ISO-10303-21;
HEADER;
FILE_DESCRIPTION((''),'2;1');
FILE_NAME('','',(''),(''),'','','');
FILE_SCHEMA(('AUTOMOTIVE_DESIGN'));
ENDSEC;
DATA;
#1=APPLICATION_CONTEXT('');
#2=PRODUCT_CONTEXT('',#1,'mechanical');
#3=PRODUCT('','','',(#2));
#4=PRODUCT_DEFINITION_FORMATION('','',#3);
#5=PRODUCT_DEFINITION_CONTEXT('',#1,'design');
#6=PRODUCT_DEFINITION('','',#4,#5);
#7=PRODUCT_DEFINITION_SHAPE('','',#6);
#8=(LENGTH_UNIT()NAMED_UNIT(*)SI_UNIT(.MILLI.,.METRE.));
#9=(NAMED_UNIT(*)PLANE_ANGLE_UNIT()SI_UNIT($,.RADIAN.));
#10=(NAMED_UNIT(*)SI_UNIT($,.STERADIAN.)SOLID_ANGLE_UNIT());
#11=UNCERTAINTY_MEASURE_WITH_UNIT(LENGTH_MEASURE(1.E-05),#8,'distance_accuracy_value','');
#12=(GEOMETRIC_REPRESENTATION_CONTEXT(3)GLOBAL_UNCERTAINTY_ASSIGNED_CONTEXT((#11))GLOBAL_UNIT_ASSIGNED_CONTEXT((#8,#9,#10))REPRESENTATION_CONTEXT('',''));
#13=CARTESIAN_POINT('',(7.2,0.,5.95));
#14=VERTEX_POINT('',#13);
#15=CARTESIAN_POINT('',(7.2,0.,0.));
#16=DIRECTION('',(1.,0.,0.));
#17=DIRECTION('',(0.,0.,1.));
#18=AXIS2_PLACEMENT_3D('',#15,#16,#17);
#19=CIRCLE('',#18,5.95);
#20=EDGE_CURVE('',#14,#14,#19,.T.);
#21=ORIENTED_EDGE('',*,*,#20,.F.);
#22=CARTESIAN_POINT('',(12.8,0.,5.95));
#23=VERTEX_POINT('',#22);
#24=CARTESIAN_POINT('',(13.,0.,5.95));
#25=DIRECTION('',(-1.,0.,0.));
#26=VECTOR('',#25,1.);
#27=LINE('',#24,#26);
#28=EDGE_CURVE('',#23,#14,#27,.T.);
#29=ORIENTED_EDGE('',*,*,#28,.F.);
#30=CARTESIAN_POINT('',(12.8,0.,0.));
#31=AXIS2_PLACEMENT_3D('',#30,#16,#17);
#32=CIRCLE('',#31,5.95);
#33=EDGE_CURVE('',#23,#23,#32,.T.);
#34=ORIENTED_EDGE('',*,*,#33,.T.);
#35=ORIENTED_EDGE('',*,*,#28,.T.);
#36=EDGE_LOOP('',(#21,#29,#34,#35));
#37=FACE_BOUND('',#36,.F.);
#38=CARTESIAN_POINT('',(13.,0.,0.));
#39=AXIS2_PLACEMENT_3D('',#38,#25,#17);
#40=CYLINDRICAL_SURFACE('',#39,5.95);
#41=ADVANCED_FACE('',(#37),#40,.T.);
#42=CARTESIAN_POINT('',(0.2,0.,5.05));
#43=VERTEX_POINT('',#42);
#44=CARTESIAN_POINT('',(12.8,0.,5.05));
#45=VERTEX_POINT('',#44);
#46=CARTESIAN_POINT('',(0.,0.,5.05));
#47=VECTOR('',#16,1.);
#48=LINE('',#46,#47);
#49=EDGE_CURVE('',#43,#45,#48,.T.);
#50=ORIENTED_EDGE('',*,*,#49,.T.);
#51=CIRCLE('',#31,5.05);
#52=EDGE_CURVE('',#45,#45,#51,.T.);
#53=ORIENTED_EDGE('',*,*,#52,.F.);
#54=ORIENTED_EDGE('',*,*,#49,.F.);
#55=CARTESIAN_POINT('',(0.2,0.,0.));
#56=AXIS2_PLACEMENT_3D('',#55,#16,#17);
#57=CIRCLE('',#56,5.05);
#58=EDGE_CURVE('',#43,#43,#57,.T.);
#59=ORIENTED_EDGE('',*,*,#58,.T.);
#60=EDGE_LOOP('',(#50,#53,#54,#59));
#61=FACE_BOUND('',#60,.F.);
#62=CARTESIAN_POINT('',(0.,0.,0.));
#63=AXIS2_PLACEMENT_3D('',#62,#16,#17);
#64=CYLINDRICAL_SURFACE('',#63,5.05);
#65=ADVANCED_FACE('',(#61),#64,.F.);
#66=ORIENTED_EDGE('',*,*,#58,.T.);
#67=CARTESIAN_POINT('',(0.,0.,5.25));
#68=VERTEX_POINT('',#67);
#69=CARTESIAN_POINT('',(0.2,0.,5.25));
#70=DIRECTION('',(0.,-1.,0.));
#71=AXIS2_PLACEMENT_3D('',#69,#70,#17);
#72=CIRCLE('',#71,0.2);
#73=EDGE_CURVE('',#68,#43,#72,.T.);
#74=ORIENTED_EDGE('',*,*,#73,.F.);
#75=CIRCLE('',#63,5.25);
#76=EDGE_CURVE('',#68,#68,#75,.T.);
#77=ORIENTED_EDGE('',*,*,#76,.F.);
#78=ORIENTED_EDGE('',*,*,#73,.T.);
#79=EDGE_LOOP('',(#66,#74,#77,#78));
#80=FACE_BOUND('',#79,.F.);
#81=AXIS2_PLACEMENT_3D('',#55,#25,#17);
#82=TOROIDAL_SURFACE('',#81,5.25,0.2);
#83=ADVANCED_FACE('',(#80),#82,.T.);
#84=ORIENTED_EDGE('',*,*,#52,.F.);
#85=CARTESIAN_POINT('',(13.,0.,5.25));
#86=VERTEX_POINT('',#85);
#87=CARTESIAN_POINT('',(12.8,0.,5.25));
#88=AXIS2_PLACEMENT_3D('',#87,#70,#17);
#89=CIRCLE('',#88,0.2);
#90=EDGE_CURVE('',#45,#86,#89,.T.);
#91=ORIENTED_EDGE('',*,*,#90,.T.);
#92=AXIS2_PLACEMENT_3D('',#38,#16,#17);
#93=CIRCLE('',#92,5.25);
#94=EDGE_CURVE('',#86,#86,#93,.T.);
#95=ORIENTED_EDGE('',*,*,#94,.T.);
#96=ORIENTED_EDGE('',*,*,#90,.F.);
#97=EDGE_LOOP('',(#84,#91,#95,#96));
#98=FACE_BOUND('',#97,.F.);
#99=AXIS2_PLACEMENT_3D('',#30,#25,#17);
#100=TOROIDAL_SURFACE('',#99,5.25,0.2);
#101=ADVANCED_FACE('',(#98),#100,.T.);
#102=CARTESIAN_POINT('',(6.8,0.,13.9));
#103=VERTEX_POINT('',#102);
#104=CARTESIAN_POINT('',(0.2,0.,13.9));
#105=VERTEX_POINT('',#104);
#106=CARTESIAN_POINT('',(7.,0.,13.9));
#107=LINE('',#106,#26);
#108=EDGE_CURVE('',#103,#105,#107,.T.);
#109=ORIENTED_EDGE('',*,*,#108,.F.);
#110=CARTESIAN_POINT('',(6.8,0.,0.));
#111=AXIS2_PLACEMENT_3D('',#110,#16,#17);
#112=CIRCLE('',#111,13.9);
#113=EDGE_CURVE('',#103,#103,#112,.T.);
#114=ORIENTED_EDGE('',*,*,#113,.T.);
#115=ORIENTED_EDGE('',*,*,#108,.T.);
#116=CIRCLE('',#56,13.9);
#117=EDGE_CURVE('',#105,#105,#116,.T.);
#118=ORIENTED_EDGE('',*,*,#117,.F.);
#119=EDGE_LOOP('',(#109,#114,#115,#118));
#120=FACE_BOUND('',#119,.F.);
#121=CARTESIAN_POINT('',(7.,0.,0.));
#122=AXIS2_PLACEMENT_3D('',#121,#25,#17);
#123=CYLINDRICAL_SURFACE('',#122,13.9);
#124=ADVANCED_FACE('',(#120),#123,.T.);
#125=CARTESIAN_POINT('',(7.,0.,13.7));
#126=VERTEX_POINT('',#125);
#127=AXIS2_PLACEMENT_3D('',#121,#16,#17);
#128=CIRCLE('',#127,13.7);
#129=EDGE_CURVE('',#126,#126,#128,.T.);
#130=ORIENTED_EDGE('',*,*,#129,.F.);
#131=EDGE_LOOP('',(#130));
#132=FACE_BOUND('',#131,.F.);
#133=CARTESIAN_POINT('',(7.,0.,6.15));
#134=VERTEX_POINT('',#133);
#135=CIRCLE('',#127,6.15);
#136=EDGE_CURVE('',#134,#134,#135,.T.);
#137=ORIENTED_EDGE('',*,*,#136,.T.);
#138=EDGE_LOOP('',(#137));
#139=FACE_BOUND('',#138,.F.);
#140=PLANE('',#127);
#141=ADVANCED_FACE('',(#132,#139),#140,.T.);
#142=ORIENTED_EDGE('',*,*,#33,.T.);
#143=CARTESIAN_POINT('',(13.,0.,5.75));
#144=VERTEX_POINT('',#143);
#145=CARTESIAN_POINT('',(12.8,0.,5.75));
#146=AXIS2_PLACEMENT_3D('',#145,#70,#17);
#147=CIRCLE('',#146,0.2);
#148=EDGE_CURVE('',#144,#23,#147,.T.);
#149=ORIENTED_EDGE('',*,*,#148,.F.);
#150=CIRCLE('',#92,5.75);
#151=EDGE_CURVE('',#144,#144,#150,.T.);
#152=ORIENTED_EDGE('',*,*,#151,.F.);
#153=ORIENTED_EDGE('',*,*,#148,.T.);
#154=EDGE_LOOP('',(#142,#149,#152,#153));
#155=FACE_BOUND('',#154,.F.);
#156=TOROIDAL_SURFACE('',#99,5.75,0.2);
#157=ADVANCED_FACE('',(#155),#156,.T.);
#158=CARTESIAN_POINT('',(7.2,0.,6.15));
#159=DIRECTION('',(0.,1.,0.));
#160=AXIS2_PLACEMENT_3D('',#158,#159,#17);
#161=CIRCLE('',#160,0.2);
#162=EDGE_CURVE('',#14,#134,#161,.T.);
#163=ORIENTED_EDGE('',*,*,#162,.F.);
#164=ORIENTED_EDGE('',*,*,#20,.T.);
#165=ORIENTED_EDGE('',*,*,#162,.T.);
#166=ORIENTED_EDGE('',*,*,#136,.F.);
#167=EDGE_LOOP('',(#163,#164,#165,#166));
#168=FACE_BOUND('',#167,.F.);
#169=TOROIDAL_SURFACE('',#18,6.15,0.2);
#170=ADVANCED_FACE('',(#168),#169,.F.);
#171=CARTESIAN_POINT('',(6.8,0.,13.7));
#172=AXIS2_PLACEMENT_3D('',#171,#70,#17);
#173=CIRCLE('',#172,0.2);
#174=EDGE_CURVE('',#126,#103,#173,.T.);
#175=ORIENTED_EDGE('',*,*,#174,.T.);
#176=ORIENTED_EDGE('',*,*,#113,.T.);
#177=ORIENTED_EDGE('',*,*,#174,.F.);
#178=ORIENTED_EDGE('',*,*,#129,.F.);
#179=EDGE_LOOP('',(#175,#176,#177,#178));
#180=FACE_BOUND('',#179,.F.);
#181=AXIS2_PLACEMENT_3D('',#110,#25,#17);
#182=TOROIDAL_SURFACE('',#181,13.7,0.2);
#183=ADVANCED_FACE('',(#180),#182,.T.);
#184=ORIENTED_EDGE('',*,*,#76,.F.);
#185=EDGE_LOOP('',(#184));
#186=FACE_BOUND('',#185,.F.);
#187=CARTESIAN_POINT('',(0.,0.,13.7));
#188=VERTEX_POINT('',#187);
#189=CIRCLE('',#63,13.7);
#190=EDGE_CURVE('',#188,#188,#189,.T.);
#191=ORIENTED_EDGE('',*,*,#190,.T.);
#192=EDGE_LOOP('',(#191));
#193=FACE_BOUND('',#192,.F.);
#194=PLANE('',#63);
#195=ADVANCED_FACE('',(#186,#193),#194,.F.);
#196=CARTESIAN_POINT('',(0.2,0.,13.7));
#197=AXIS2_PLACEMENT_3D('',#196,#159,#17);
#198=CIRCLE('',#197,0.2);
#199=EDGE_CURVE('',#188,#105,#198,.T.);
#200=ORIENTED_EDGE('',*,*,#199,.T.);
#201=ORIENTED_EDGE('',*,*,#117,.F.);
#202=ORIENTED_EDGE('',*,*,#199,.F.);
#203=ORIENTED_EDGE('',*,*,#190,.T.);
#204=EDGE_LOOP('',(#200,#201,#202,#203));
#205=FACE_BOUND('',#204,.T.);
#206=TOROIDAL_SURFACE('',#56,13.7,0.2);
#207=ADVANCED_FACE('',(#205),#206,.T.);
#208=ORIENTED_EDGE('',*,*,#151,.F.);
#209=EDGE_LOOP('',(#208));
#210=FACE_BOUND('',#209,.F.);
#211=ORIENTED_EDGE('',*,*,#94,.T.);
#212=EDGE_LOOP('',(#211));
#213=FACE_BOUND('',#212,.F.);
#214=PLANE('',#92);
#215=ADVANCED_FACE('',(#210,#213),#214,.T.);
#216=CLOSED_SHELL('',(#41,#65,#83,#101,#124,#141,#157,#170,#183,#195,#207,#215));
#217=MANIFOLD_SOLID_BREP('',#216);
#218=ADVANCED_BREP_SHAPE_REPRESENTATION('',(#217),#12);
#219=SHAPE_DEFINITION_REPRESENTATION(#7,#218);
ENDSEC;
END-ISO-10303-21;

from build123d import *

# Parameters (mm, degrees)
F2_R = 0.2


with BuildPart() as f1:
    # F0 (on Front) → F1 (revolve)
    with BuildSketch(Plane.XZ):
        Polygon((0, 13.9), (0, 5.05), (13, 5.05), (13, 5.95), (7, 5.95), (7, 13.9), align=None)
    revolve(axis=Axis((23.199424, 0, 0), (1, 0, 0)))

    # F2
    f2_edges = [f1.edges().sort_by_distance(p)[0] for p in [
        (7, 0, -5.95),
        (13, 0, -5.95),
        (13, 0, -5.05),
        (7, 0, -13.9),
        (0, 0, -13.9),
        (0, 0, -5.05),
    ]]
    fillet(f2_edges, radius=F2_R)


solid = f1.part
